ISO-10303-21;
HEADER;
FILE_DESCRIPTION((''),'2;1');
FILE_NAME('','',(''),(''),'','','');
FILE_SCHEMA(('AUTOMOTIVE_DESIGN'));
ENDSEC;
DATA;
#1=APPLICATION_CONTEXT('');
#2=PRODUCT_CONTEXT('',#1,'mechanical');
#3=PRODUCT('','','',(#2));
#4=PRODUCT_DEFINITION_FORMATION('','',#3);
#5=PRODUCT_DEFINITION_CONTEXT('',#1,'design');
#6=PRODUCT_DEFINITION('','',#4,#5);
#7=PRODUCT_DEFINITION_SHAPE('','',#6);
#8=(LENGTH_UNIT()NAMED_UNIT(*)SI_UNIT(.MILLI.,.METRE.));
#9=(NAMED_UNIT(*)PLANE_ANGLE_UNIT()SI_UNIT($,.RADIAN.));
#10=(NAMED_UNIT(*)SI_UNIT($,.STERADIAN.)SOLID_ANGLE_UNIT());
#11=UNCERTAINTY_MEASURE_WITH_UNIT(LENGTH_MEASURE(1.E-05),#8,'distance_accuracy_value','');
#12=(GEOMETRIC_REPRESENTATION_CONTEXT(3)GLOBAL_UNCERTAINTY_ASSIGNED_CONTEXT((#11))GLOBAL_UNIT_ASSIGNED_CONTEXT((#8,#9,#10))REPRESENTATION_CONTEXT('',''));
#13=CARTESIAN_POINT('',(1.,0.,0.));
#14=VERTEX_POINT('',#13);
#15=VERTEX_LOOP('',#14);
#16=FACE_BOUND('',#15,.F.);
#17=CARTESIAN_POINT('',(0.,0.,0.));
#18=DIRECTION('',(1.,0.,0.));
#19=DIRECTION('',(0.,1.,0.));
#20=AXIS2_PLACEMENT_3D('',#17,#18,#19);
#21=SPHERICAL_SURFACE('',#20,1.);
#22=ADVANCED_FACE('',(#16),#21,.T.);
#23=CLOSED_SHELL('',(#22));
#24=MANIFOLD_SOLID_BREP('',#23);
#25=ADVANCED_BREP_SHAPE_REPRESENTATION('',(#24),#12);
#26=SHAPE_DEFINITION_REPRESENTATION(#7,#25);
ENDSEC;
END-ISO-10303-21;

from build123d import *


with BuildPart() as part:
    # RevolveS → Revolve 2 (revolve)
    with BuildSketch(Plane.XY):
        with BuildLine():
            Line((1, 0), (-1, 0))
            ThreePointArc((-1, 0), (0, 1), (1, 0))
        make_face()
    revolve(axis=Axis((1, 0, 0), (-1, 0, 0)))


solid = part.part
